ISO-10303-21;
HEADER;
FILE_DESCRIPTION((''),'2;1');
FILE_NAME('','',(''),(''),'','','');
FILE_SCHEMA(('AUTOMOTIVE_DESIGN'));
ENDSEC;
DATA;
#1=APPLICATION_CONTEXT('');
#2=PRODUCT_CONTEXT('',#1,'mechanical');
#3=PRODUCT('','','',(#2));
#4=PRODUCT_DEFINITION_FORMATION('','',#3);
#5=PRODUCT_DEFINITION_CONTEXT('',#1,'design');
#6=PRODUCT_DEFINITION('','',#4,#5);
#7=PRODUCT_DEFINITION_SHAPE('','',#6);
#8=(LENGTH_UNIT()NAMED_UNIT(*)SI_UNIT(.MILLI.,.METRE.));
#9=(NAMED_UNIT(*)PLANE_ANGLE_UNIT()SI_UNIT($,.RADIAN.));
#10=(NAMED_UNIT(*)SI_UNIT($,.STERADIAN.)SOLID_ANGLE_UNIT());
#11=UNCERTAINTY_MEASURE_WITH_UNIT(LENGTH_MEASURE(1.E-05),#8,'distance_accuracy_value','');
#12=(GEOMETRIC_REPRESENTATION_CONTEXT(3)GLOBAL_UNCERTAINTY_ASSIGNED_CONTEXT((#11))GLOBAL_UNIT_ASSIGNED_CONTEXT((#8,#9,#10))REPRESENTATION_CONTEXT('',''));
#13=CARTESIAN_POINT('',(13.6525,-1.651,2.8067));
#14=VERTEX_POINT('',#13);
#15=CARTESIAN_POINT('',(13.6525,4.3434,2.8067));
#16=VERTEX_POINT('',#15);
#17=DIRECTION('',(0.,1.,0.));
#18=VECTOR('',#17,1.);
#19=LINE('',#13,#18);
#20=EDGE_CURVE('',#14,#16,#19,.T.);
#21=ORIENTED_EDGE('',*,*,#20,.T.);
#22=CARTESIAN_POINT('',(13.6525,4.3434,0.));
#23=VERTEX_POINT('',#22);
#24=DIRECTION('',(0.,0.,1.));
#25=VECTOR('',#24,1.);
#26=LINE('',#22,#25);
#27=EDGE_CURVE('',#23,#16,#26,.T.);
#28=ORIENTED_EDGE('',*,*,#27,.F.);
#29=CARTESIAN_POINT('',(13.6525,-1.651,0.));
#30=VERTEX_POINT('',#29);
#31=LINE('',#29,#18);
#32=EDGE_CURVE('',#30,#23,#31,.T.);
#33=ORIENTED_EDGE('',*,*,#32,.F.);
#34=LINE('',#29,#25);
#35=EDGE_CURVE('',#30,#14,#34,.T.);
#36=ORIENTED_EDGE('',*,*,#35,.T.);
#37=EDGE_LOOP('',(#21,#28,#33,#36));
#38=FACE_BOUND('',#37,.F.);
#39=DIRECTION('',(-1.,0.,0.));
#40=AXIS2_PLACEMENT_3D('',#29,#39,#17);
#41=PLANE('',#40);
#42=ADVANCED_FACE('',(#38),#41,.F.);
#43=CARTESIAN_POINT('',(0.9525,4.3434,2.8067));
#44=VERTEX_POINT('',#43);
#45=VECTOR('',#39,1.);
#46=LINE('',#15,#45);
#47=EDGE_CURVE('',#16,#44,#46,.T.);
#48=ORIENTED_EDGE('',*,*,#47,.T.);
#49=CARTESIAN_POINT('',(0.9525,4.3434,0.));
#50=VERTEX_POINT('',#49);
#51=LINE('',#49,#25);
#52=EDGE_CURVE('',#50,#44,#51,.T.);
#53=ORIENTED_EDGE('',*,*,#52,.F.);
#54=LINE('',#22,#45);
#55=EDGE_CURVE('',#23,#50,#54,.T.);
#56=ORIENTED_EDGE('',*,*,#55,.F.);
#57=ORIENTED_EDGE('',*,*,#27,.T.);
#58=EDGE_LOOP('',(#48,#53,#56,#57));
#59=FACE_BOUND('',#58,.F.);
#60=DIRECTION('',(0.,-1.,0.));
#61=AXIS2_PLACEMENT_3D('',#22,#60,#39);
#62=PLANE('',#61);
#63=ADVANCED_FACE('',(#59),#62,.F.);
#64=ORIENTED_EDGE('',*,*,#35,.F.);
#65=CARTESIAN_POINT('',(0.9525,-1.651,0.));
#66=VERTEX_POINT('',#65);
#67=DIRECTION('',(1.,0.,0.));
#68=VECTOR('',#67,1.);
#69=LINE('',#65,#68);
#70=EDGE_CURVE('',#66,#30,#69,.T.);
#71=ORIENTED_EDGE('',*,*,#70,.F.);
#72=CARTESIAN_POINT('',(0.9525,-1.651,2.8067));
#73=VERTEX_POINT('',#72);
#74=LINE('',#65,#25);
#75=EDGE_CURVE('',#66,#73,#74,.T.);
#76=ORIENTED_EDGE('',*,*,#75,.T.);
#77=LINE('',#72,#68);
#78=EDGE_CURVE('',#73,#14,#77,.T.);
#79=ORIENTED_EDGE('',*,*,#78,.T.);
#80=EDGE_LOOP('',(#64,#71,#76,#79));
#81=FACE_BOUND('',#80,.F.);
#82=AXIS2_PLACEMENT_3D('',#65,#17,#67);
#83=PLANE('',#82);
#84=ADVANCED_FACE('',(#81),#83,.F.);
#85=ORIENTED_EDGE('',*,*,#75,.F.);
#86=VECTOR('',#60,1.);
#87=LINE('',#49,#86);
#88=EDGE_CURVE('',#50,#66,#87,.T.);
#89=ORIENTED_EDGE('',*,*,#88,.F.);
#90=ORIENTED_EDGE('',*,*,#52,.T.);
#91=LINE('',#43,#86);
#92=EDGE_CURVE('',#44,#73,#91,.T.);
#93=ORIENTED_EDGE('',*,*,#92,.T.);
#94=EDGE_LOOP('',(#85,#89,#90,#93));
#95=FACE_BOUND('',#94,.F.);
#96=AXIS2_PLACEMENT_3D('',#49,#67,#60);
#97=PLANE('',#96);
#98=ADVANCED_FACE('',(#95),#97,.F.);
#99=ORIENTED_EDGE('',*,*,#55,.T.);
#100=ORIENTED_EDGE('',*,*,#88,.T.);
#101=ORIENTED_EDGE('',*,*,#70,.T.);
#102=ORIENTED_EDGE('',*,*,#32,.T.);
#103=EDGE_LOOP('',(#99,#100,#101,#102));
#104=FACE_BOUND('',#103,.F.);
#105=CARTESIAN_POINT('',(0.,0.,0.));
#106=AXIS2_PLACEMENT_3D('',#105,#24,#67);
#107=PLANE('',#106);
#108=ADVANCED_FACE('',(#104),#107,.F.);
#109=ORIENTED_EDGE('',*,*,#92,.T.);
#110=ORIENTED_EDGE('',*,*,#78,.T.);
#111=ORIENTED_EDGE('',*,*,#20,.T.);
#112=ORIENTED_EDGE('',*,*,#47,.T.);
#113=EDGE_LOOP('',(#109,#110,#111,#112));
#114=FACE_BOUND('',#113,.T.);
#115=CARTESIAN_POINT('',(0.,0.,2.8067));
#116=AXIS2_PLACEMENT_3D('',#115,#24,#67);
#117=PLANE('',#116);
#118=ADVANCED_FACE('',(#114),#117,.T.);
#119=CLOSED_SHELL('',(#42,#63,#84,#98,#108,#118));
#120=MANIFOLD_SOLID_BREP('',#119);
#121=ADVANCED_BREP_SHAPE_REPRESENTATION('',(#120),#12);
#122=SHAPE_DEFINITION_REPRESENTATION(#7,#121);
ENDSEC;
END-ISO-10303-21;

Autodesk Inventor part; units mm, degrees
ref_plane "YZ Plane" through (0, 0, 0) normal (1, 0, 0) x (0, 1, 0)
ref_plane "XZ Plane" through (0, 0, 0) normal (0, 1, 0) x (-1, 0, 0)
ref_plane "XY Plane" through (0, 0, 0) normal (0, 0, 1) x (1, 0, 0)
sketch "Sketch3" plane through (0, 0, 0) normal (0, 0, 1) x (1, 0, 0)
  line L0 (0.9525, -1.651) -> (13.6525, -1.651)
  line L1 (13.6525, -1.651) -> (13.6525, 4.3434)
  line L2 (13.6525, 4.3434) -> (0.9525, 4.3434)
  line L3 (0.9525, 4.3434) -> (0.9525, -1.651)
  point P0 (0, 0)
  dimension "d17" = 5.9944
  dimension "d18" = 12.7
  dimension "d19" = 0.9525
  dimension "d20" = 1.651
extrude "Extrusion1" add sketch "Sketch3" along normal blind 2.8067
properties part number "LTP"
